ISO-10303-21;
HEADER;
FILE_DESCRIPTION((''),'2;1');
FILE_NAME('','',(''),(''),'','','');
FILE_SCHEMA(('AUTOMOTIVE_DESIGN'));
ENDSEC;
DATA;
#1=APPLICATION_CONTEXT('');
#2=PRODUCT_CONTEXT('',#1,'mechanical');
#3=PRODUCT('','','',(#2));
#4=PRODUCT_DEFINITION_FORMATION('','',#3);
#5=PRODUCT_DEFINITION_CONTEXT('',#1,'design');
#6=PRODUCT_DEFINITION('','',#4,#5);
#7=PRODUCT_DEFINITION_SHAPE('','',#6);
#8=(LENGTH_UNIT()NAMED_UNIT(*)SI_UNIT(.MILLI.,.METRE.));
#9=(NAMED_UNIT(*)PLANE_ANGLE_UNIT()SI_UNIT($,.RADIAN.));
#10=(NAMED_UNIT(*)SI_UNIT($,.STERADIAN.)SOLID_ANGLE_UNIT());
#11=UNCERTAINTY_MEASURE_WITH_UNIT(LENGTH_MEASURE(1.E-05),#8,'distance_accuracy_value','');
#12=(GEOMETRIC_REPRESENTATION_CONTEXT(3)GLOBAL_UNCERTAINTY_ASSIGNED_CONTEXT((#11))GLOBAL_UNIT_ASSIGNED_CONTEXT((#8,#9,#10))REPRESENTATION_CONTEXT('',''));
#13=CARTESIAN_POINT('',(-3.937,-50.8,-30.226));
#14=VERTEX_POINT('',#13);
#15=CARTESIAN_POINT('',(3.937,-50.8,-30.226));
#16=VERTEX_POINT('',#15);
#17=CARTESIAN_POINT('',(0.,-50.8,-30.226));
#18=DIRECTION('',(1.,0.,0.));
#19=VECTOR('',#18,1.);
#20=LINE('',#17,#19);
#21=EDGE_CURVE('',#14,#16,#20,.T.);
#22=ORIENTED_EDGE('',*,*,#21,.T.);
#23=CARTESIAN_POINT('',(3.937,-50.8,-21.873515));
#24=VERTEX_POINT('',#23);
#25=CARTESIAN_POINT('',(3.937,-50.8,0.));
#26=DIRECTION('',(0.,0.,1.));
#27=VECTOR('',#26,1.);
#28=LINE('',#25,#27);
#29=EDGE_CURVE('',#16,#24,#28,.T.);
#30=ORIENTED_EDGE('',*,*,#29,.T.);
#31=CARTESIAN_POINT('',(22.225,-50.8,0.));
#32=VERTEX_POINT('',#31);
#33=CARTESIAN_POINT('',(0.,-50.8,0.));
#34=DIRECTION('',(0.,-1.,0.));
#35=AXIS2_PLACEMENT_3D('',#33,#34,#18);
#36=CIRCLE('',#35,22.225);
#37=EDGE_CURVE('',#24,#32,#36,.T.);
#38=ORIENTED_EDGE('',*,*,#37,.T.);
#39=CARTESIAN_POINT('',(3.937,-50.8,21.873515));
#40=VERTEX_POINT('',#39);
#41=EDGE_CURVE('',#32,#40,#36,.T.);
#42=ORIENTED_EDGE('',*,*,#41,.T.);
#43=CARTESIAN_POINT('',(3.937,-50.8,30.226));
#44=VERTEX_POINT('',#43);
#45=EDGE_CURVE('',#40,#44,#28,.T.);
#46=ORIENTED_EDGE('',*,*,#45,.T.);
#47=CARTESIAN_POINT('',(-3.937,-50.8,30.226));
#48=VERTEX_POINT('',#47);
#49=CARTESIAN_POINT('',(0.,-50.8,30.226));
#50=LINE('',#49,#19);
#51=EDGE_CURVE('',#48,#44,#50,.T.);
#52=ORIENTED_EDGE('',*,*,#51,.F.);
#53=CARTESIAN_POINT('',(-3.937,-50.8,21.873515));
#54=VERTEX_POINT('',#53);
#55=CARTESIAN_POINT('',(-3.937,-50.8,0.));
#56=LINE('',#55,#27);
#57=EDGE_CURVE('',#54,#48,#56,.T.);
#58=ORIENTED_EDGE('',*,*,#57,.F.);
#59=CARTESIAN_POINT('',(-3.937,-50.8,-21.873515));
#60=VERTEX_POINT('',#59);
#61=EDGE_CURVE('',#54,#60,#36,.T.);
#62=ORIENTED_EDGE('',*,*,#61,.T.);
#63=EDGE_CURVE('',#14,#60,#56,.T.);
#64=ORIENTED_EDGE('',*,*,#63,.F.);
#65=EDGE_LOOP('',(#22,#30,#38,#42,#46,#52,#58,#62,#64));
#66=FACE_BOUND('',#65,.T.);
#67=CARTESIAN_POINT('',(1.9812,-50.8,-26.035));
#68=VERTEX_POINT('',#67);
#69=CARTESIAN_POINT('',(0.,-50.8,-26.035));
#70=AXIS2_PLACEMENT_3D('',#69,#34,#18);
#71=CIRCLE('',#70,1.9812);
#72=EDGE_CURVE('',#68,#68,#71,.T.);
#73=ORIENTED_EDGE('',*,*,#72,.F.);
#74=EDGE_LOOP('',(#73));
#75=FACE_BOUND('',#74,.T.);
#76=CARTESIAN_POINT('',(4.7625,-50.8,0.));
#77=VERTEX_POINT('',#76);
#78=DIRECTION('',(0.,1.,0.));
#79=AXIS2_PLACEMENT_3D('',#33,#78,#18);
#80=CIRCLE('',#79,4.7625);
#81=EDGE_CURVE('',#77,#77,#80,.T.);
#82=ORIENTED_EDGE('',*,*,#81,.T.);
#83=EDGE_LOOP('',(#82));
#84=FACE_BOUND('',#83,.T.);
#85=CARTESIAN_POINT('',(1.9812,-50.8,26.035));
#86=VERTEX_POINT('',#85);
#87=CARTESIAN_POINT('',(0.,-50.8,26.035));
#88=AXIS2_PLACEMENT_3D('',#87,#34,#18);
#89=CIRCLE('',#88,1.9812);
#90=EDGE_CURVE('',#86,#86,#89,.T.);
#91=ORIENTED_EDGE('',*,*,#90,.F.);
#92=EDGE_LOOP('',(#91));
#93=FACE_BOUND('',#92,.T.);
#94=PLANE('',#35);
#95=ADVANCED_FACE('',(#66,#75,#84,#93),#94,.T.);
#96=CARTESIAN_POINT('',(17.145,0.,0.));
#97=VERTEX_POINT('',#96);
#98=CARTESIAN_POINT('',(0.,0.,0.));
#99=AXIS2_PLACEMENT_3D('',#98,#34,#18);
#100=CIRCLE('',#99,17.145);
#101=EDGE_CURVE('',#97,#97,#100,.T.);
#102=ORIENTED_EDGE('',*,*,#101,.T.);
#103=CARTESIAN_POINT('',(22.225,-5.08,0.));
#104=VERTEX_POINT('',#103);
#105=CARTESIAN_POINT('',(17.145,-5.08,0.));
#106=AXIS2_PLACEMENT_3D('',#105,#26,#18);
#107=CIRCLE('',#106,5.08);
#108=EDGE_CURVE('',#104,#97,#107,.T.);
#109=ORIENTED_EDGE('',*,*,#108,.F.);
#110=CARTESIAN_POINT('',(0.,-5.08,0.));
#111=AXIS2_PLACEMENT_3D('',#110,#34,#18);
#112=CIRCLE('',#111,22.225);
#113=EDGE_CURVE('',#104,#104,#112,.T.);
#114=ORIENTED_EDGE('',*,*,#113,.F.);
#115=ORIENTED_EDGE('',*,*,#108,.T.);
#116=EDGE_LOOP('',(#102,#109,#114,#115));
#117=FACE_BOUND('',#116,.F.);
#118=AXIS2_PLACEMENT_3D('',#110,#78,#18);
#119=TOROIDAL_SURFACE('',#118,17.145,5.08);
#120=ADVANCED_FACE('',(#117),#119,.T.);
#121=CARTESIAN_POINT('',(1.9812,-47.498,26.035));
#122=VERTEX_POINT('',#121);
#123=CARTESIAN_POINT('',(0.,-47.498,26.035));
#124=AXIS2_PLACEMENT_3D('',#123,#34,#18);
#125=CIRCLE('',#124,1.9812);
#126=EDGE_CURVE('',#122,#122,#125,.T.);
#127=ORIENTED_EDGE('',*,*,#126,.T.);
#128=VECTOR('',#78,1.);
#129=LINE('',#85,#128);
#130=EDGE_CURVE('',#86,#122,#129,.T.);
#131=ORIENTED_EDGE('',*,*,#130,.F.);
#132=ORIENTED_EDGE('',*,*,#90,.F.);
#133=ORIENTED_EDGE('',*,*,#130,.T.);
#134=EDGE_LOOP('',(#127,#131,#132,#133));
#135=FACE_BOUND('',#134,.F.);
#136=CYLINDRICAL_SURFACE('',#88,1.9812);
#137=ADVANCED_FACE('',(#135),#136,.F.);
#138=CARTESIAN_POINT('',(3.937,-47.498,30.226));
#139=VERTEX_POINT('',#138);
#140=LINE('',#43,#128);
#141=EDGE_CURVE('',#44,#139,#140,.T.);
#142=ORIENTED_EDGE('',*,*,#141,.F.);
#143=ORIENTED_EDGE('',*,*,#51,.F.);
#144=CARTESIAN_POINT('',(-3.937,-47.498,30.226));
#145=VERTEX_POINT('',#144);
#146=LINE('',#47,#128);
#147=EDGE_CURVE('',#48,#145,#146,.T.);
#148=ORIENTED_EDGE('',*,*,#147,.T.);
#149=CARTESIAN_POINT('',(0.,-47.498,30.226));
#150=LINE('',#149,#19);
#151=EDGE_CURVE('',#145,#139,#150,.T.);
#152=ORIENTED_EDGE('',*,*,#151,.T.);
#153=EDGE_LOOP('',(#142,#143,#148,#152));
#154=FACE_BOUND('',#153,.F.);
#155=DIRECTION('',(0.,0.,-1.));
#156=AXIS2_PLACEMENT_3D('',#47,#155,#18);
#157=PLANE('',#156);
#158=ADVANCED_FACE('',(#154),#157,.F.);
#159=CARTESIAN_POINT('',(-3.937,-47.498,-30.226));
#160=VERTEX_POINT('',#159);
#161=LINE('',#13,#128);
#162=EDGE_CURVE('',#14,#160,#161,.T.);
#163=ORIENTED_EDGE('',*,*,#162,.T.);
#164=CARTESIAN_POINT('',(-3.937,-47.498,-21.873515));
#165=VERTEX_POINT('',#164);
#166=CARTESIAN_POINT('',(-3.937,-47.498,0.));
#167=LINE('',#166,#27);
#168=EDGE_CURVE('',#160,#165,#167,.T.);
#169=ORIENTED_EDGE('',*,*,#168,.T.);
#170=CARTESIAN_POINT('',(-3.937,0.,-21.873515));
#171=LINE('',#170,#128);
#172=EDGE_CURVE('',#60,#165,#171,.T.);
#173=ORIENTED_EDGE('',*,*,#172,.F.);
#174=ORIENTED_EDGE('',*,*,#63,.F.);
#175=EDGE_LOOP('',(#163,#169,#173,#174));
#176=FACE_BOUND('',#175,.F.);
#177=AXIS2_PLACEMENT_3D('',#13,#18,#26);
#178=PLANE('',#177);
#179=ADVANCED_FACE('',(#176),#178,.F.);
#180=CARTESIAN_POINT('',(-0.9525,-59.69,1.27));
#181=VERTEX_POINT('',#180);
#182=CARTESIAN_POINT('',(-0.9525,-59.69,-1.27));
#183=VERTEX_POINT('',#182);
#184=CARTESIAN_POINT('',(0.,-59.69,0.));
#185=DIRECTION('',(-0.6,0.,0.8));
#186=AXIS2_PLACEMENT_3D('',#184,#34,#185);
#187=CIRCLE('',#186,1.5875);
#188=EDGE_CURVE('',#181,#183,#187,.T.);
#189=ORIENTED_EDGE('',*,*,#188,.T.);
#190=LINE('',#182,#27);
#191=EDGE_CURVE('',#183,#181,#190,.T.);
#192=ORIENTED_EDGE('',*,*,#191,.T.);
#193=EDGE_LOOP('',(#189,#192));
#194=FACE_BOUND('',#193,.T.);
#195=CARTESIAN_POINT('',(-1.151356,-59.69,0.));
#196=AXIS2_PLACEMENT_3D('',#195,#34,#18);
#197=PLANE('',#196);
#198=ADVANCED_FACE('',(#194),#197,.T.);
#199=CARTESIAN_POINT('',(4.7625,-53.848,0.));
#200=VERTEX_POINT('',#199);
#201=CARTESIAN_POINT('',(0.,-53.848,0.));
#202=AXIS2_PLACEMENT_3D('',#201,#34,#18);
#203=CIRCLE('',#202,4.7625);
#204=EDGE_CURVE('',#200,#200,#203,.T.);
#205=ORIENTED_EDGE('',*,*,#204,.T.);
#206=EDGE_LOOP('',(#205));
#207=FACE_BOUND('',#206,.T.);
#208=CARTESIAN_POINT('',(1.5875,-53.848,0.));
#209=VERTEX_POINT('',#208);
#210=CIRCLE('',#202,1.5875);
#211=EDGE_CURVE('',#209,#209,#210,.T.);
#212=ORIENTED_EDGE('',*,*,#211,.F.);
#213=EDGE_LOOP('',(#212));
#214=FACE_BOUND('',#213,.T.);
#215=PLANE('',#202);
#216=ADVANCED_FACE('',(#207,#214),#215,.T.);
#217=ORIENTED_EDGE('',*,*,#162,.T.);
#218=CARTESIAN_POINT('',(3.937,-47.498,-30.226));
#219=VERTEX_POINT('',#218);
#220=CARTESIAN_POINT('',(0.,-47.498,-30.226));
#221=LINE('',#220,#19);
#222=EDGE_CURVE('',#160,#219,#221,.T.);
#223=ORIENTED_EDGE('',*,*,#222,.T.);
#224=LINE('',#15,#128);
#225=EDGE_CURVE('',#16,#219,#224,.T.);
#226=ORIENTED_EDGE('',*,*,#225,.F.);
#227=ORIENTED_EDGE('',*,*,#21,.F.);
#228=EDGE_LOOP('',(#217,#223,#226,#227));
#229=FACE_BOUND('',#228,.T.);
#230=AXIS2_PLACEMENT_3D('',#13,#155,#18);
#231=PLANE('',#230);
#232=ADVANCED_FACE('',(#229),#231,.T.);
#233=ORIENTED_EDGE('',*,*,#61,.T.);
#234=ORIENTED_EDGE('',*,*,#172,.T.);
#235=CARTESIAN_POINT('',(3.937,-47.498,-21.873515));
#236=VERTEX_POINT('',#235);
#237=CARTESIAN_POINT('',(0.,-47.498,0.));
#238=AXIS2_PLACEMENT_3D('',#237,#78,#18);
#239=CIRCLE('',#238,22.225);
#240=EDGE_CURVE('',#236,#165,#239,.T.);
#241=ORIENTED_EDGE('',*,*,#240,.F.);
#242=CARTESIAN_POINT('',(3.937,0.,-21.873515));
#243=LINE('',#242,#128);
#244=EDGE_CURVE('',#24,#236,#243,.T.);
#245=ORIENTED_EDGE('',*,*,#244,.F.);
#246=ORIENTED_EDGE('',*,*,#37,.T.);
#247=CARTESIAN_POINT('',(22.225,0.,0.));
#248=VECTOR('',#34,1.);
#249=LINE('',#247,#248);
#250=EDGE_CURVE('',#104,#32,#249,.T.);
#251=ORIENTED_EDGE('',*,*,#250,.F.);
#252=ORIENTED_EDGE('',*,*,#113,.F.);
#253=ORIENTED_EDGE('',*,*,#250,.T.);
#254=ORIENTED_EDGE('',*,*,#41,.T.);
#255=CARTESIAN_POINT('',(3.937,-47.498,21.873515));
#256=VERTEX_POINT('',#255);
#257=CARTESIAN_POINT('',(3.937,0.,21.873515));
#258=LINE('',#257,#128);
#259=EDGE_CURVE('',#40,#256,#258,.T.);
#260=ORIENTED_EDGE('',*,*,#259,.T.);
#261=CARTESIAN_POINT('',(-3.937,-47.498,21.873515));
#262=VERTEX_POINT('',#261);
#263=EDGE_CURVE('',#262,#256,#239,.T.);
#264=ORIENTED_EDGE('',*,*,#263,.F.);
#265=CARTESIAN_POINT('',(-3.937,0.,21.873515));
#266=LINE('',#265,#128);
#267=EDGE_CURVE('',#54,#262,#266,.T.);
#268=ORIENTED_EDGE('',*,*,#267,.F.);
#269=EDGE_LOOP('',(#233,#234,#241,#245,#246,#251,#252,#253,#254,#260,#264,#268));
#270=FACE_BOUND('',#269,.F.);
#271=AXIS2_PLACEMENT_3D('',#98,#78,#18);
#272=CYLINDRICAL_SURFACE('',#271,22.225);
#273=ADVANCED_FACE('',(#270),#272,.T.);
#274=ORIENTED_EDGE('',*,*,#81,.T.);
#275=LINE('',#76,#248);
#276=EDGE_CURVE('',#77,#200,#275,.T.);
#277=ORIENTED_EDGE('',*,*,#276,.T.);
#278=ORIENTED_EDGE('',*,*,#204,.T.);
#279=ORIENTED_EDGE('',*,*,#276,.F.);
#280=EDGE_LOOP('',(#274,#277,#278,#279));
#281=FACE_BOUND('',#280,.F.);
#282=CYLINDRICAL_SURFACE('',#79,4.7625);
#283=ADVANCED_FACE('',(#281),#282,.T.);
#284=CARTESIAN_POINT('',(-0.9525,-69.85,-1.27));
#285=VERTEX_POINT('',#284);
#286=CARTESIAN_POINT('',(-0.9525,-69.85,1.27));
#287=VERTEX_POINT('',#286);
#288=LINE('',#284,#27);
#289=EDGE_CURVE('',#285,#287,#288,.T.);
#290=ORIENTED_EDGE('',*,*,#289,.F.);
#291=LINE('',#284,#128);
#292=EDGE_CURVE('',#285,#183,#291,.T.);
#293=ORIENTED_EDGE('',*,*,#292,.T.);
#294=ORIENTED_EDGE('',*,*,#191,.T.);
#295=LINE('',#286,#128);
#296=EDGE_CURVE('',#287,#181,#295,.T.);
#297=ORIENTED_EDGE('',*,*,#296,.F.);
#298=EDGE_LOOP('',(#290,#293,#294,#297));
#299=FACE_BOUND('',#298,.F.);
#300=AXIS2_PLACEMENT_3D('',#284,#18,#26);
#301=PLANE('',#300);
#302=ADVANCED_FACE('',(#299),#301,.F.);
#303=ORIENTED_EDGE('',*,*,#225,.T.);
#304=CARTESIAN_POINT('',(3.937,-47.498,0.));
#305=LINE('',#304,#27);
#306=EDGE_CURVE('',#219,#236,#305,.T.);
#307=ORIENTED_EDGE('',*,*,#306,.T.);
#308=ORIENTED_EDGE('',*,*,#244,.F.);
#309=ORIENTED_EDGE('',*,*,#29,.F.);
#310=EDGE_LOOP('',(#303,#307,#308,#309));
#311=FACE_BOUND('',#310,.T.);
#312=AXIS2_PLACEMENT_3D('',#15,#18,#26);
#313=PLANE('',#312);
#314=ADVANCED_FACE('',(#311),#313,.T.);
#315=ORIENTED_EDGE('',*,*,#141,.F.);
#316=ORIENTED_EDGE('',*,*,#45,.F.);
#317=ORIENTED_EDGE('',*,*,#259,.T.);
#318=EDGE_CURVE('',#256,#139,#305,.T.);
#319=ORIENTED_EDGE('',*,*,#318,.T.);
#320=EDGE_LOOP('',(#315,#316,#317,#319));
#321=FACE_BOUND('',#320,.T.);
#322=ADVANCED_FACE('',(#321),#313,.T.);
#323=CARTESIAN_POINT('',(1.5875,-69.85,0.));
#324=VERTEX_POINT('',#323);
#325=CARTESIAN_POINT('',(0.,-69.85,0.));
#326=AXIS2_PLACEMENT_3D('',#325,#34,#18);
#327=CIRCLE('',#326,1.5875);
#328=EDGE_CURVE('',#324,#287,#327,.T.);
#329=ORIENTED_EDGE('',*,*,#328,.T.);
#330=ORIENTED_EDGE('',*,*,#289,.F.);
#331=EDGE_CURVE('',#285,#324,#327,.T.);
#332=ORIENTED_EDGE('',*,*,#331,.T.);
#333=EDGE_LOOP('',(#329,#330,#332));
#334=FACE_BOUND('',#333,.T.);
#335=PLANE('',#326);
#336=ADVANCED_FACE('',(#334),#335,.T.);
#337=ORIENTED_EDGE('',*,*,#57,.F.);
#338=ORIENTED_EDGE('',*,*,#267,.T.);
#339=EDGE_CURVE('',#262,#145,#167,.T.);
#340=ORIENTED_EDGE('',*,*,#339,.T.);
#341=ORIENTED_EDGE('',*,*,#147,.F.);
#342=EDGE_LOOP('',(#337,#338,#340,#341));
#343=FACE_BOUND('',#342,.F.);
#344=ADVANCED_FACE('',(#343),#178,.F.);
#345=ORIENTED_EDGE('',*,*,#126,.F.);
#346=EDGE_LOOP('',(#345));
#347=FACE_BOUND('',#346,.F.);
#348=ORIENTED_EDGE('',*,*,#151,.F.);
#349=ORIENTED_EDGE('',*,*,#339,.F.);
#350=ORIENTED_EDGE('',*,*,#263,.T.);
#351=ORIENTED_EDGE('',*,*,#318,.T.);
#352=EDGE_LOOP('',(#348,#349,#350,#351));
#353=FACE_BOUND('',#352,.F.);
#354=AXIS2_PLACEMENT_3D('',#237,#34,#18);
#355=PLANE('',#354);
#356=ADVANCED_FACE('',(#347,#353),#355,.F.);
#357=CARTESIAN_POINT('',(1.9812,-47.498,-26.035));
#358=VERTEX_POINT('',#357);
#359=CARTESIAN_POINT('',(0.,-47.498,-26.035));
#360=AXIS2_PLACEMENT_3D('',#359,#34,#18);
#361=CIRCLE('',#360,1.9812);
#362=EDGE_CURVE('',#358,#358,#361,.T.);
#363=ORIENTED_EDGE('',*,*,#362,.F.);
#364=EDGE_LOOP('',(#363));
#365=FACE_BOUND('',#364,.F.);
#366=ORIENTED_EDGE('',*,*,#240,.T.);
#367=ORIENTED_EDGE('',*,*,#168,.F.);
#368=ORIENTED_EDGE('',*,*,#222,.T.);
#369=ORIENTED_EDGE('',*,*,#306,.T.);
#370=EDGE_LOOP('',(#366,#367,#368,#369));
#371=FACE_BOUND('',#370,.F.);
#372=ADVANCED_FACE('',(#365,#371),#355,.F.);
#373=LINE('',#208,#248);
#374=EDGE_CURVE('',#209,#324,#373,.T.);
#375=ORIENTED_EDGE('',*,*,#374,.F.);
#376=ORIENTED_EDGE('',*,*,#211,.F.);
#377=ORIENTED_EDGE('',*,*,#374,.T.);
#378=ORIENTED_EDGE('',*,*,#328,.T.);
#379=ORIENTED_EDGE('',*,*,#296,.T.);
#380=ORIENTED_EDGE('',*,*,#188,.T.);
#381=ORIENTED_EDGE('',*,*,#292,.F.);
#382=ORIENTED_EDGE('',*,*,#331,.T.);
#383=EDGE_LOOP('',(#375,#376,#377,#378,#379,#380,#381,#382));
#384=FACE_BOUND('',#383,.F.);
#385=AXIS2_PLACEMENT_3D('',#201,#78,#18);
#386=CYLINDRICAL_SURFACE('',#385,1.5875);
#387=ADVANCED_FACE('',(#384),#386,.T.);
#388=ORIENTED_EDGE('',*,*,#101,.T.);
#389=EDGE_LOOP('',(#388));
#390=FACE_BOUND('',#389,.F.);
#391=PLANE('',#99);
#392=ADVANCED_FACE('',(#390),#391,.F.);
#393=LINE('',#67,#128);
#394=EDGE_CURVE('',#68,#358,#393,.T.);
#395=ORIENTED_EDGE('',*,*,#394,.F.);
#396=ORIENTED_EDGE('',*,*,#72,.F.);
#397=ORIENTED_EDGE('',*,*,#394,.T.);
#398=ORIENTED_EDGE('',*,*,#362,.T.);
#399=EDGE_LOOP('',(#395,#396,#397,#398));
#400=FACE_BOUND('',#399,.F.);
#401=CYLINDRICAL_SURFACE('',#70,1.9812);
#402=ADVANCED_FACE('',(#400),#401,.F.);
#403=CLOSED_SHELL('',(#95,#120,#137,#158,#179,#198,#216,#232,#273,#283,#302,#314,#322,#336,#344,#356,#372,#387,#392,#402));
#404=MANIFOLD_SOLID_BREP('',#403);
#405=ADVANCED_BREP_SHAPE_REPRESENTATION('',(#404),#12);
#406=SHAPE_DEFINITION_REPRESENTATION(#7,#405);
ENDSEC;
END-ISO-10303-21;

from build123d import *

# Parameters (mm, degrees)
F0_R      = 22.225
F1_DEPTH  = 50.8
F2_R      = 4.7625
F3_DEPTH  = 3.048
F4_R      = 1.5875
F5_DEPTH  = 16.002
F7_DEPTH  = 10.16
F8_R      = 5.08
F9_W      = 7.874
F9_H      = 60.452
F10_DEPTH = 3.302
F11_R     = 1.9812
F12_DEPTH = 50.801


with BuildPart() as f1:
    # F0 (on Front) → F1 (new body)
    with BuildSketch(Plane.XZ):
        Circle(F0_R)
    extrude(amount=F1_DEPTH)

    # F2 (on face) → F3 (join)
    with BuildSketch(Plane.XZ.offset(50.8)):
        Circle(F2_R)
    extrude(amount=F3_DEPTH)

    # F4 (on face) → F5 (join)
    with BuildSketch(Plane.XZ.offset(53.848)):
        Circle(F4_R)
    extrude(amount=F5_DEPTH)

    # F6 (on face) → F7 (cut)
    with BuildSketch(Plane.XZ.offset(69.85)):
        with BuildLine():
            Line((-0.9525, -1.27), (-0.9525, 1.27))
            ThreePointArc((-0.9525, 1.27), (-1.5875, 0), (-0.9525, -1.27))
        make_face()
    extrude(amount=-F7_DEPTH, mode=Mode.SUBTRACT)

    # F8
    f8_edges = [f1.edges().sort_by_distance(p)[0] for p in [
        (-22.225, 0, 0),
    ]]
    fillet(f8_edges, radius=F8_R)

    # F9 (on face) → F10 (join)
    with BuildSketch(Plane.XZ.offset(50.8)):
        Rectangle(F9_W, F9_H)
    extrude(amount=-F10_DEPTH)

    # F11 (on face) → F12 (cut, through all)
    with BuildSketch(Plane.XZ.offset(50.8)):
        with Locations((0, 26.035)):
            Circle(F11_R)
        with Locations((0, -26.035)):
            Circle(F11_R)
    extrude(amount=-F12_DEPTH, mode=Mode.SUBTRACT)


solid = f1.part
